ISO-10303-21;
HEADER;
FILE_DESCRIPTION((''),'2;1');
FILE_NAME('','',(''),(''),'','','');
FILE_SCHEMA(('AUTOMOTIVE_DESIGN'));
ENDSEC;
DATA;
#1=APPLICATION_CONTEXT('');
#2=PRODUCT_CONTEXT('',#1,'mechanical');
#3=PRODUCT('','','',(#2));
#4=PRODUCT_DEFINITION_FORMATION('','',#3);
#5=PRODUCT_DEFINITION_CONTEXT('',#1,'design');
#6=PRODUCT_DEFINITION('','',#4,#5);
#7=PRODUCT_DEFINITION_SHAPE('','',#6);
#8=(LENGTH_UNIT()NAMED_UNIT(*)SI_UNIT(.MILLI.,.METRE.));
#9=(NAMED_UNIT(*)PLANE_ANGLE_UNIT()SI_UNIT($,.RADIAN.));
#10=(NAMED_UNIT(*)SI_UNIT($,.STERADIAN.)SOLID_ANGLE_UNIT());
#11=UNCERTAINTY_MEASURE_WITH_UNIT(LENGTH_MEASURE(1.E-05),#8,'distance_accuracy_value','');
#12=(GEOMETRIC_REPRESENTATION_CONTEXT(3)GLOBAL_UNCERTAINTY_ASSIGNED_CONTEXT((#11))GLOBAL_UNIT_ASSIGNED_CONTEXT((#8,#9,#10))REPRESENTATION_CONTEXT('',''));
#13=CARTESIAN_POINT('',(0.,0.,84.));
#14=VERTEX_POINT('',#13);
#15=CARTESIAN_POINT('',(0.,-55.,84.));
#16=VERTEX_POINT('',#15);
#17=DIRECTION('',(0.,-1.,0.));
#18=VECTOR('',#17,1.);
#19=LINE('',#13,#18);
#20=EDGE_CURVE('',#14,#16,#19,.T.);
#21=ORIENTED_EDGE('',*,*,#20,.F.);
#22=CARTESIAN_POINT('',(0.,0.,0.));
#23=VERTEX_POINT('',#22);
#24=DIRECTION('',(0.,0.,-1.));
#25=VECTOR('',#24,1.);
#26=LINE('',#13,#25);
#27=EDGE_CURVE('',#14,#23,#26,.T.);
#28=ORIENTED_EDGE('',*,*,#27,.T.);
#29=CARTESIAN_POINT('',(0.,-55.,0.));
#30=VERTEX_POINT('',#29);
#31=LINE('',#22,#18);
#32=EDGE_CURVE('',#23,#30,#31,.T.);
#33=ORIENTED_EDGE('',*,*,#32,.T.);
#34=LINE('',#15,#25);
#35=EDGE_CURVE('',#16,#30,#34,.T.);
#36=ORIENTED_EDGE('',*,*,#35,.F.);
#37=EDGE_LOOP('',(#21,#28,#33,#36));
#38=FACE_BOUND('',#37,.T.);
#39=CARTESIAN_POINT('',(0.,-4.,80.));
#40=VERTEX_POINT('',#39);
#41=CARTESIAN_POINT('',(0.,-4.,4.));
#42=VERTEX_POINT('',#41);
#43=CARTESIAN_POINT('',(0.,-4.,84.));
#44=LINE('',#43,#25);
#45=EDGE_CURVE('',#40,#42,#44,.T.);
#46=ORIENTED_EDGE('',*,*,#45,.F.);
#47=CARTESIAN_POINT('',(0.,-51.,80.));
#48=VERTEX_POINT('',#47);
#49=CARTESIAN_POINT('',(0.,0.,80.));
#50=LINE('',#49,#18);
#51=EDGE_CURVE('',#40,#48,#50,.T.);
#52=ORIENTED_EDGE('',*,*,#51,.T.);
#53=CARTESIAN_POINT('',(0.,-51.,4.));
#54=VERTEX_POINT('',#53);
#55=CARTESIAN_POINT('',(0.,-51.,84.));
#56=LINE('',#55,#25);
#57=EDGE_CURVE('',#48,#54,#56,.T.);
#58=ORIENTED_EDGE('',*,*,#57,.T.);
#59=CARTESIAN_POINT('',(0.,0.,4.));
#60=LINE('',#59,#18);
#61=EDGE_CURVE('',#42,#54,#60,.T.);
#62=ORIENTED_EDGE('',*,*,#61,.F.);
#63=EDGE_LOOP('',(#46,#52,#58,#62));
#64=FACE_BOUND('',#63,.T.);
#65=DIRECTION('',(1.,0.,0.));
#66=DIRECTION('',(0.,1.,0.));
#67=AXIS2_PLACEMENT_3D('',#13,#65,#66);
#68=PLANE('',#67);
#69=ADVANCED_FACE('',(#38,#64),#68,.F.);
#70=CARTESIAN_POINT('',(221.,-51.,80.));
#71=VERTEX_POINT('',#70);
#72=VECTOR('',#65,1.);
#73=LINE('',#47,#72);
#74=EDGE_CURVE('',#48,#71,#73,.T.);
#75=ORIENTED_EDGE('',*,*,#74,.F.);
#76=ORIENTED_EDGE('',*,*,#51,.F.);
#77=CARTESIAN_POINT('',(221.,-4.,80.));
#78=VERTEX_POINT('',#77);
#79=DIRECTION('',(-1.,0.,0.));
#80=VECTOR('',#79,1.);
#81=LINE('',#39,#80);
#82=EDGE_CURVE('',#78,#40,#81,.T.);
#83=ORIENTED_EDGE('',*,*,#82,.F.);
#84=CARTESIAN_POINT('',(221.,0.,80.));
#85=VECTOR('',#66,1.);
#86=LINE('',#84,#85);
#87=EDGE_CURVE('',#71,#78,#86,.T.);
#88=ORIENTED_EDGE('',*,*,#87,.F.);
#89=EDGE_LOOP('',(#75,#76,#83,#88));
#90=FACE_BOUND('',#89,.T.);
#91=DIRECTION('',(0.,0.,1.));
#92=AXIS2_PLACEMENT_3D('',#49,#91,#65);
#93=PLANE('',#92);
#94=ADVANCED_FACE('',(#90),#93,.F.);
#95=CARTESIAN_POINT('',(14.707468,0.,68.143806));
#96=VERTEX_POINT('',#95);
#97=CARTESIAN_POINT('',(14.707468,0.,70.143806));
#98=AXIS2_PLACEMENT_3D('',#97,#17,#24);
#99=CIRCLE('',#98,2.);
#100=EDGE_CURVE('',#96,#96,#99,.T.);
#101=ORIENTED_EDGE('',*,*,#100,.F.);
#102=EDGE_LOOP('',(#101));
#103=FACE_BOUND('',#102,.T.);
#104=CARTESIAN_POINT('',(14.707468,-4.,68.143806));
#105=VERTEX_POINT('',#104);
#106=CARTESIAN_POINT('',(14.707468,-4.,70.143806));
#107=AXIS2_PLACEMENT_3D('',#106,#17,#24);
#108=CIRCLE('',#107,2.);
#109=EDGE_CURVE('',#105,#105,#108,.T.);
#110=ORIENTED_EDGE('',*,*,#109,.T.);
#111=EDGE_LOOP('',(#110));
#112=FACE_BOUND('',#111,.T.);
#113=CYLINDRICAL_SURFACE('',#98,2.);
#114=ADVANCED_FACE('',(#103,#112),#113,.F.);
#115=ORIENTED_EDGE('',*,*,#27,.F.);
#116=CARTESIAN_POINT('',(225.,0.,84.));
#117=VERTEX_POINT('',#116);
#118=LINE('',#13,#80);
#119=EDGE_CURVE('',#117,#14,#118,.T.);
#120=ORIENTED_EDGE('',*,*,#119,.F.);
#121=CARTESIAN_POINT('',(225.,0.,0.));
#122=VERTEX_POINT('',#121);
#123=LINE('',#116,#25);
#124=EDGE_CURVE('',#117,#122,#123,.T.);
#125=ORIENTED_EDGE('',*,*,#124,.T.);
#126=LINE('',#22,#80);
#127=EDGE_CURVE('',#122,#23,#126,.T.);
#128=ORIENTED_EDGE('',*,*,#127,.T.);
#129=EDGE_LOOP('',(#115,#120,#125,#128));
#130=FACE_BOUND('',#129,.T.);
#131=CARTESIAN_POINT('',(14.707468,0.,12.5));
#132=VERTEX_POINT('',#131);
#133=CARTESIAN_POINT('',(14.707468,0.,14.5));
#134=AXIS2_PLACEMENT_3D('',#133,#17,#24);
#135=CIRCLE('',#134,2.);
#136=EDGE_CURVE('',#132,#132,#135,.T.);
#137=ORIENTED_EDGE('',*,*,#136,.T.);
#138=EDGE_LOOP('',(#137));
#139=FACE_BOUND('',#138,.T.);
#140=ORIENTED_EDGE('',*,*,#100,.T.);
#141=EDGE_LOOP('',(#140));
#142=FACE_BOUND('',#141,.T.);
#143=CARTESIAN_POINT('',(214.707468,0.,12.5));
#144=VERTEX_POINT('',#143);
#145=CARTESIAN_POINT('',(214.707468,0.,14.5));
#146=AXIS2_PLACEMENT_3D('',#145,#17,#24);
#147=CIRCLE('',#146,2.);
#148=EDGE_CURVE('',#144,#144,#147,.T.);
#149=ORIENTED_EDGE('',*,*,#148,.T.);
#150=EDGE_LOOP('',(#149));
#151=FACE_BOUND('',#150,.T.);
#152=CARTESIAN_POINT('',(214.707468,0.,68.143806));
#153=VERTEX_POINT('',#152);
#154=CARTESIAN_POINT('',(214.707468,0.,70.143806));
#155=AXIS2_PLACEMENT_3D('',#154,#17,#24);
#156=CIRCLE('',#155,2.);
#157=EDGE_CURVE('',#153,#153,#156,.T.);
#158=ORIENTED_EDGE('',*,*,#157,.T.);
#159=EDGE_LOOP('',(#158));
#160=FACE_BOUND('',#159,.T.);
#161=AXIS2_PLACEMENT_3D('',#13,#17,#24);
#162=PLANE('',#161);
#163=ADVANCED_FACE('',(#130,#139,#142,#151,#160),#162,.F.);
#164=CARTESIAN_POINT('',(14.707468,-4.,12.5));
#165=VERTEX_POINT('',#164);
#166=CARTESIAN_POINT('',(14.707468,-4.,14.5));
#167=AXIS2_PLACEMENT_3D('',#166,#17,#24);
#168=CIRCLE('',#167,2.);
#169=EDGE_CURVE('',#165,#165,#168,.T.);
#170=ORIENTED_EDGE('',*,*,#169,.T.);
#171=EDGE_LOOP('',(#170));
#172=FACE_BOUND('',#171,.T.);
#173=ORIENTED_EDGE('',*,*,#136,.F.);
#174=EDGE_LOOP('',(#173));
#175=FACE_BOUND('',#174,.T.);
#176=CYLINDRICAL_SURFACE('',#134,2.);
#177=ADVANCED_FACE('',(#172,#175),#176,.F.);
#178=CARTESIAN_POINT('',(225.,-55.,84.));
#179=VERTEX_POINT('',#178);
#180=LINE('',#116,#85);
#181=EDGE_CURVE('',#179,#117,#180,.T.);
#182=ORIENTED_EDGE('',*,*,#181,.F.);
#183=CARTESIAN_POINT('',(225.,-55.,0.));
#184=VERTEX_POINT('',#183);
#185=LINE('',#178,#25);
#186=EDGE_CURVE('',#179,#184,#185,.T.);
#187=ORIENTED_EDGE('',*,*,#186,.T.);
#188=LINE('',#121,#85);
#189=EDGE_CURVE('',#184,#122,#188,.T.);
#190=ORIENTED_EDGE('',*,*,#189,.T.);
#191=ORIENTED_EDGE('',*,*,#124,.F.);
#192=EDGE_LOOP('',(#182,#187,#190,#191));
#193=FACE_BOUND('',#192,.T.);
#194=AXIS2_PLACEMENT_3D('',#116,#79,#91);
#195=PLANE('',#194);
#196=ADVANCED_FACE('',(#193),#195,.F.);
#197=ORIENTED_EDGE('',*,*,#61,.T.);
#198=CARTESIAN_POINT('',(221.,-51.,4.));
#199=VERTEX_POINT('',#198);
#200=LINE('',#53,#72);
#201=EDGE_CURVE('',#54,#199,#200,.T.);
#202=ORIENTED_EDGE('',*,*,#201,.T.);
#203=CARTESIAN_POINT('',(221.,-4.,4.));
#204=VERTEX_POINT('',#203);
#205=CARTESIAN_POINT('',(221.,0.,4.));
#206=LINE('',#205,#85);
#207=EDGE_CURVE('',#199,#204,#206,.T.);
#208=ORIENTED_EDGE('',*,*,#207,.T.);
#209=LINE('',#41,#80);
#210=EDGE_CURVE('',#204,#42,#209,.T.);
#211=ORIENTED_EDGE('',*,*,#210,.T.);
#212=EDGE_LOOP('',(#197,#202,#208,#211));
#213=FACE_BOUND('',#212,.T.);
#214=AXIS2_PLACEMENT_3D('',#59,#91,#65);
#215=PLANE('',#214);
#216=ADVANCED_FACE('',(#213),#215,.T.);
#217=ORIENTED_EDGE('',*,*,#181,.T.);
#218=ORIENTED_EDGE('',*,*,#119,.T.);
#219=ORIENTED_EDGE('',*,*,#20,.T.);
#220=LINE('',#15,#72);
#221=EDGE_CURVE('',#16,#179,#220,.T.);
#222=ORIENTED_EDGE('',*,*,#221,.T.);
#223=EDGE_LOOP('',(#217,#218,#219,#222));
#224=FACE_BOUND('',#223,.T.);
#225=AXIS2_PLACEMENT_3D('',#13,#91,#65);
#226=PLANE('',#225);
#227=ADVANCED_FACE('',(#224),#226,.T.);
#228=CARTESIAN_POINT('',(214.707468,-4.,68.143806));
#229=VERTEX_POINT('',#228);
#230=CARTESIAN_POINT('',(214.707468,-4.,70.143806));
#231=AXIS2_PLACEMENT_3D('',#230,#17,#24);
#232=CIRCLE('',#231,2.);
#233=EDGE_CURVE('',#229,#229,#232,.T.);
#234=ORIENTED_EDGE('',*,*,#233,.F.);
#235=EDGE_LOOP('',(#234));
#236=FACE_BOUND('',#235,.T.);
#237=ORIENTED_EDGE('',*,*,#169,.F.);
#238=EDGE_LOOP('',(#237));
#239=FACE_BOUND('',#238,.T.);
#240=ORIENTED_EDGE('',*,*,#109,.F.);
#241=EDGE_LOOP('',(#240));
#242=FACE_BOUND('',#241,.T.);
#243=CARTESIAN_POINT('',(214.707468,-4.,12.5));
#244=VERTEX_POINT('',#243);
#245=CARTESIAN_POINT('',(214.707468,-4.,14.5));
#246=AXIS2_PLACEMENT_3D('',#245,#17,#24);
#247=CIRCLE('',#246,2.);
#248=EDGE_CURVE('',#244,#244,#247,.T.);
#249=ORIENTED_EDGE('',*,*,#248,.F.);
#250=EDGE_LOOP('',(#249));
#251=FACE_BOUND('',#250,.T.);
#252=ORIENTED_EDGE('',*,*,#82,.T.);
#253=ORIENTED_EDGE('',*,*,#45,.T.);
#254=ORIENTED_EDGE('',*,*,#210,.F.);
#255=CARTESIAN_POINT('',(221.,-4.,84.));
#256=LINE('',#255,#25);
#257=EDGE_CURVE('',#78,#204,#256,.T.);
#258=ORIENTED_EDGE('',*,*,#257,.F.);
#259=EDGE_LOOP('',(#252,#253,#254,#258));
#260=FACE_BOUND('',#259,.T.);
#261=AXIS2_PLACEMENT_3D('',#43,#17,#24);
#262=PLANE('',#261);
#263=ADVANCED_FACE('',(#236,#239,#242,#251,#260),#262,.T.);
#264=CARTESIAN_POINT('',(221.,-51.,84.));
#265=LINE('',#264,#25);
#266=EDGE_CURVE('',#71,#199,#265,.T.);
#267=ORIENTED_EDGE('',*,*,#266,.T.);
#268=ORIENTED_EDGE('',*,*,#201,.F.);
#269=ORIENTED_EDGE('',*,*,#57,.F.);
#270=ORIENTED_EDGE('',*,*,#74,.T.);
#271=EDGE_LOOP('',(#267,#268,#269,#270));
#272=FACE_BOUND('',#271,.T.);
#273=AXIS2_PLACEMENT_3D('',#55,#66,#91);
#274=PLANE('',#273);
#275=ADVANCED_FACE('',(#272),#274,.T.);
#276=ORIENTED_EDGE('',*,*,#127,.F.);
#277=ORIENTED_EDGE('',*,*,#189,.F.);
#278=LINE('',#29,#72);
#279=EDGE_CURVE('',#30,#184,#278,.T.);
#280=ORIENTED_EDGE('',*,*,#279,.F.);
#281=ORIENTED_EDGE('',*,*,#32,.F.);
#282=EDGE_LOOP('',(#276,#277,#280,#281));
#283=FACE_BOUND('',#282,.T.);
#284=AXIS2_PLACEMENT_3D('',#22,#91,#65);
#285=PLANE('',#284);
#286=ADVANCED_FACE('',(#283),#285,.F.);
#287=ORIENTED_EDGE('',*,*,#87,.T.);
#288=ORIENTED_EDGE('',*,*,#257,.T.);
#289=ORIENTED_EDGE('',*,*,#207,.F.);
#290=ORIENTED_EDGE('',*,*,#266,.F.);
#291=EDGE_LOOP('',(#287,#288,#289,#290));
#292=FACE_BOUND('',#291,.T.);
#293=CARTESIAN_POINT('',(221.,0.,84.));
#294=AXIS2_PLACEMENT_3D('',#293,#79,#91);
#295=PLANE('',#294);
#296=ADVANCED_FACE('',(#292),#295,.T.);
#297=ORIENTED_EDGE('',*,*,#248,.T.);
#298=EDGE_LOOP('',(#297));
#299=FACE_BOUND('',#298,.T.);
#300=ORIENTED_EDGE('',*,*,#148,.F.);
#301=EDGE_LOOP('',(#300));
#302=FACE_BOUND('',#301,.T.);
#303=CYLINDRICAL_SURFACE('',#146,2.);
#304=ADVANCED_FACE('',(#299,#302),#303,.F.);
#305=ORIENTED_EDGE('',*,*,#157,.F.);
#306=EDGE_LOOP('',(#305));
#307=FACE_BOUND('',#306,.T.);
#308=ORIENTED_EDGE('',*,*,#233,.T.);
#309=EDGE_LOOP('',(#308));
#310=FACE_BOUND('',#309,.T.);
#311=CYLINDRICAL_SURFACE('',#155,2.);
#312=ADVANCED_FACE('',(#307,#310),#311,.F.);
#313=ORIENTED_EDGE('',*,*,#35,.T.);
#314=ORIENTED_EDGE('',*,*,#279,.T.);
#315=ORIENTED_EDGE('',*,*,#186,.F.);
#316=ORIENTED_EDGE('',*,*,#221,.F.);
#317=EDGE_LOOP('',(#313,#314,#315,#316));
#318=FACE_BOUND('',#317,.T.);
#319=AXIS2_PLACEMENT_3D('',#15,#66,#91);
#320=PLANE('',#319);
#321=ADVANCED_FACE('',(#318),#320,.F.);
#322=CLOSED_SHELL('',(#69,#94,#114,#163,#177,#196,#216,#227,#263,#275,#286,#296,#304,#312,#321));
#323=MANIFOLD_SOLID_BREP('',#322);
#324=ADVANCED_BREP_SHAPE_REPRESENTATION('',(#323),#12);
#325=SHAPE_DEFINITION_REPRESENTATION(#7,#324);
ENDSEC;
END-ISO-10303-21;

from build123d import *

# Parameters (mm, degrees)
SKETCH1_W           = 225
SKETCH1_H           = 55
BOSS_EXTRUDE1_DEPTH = 84
SHELL1_T            = -4
SKETCH2_R           = 2
CUT_EXTRUDE1_DEPTH  = 246.523929587


with BuildPart() as part:
    # Sketch1 → Boss-Extrude1 (new body)
    with BuildSketch(Plane.XY):
        with Locations((112.5, -27.5)):
            Rectangle(SKETCH1_W, SKETCH1_H)
    extrude(amount=BOSS_EXTRUDE1_DEPTH)

    # Shell1
    shell1_openings = [part.faces().sort_by_distance(p)[0] for p in [
        (0, -27.5, 42),
    ]]
    offset(amount=SHELL1_T, openings=shell1_openings, kind=Kind.INTERSECTION)

    # Sketch2 → Cut-Extrude1 (cut, through all)
    with BuildSketch(Plane.XZ.offset(4)):
        with Locations(Location((14.707468467, 70.14380551, 0), (0, 0, 270))):
            Circle(SKETCH2_R)
        with Locations(Location((14.707468467, 14.5, 0), (0, 0, 270))):
            Circle(SKETCH2_R)
        with Locations(Location((214.707468467, 70.14380551, 0), (0, 0, 270))):
            Circle(SKETCH2_R)
        with Locations(Location((214.707468467, 14.5, 0), (0, 0, 270))):
            Circle(SKETCH2_R)
    extrude(amount=-CUT_EXTRUDE1_DEPTH, mode=Mode.SUBTRACT)


solid = part.part
